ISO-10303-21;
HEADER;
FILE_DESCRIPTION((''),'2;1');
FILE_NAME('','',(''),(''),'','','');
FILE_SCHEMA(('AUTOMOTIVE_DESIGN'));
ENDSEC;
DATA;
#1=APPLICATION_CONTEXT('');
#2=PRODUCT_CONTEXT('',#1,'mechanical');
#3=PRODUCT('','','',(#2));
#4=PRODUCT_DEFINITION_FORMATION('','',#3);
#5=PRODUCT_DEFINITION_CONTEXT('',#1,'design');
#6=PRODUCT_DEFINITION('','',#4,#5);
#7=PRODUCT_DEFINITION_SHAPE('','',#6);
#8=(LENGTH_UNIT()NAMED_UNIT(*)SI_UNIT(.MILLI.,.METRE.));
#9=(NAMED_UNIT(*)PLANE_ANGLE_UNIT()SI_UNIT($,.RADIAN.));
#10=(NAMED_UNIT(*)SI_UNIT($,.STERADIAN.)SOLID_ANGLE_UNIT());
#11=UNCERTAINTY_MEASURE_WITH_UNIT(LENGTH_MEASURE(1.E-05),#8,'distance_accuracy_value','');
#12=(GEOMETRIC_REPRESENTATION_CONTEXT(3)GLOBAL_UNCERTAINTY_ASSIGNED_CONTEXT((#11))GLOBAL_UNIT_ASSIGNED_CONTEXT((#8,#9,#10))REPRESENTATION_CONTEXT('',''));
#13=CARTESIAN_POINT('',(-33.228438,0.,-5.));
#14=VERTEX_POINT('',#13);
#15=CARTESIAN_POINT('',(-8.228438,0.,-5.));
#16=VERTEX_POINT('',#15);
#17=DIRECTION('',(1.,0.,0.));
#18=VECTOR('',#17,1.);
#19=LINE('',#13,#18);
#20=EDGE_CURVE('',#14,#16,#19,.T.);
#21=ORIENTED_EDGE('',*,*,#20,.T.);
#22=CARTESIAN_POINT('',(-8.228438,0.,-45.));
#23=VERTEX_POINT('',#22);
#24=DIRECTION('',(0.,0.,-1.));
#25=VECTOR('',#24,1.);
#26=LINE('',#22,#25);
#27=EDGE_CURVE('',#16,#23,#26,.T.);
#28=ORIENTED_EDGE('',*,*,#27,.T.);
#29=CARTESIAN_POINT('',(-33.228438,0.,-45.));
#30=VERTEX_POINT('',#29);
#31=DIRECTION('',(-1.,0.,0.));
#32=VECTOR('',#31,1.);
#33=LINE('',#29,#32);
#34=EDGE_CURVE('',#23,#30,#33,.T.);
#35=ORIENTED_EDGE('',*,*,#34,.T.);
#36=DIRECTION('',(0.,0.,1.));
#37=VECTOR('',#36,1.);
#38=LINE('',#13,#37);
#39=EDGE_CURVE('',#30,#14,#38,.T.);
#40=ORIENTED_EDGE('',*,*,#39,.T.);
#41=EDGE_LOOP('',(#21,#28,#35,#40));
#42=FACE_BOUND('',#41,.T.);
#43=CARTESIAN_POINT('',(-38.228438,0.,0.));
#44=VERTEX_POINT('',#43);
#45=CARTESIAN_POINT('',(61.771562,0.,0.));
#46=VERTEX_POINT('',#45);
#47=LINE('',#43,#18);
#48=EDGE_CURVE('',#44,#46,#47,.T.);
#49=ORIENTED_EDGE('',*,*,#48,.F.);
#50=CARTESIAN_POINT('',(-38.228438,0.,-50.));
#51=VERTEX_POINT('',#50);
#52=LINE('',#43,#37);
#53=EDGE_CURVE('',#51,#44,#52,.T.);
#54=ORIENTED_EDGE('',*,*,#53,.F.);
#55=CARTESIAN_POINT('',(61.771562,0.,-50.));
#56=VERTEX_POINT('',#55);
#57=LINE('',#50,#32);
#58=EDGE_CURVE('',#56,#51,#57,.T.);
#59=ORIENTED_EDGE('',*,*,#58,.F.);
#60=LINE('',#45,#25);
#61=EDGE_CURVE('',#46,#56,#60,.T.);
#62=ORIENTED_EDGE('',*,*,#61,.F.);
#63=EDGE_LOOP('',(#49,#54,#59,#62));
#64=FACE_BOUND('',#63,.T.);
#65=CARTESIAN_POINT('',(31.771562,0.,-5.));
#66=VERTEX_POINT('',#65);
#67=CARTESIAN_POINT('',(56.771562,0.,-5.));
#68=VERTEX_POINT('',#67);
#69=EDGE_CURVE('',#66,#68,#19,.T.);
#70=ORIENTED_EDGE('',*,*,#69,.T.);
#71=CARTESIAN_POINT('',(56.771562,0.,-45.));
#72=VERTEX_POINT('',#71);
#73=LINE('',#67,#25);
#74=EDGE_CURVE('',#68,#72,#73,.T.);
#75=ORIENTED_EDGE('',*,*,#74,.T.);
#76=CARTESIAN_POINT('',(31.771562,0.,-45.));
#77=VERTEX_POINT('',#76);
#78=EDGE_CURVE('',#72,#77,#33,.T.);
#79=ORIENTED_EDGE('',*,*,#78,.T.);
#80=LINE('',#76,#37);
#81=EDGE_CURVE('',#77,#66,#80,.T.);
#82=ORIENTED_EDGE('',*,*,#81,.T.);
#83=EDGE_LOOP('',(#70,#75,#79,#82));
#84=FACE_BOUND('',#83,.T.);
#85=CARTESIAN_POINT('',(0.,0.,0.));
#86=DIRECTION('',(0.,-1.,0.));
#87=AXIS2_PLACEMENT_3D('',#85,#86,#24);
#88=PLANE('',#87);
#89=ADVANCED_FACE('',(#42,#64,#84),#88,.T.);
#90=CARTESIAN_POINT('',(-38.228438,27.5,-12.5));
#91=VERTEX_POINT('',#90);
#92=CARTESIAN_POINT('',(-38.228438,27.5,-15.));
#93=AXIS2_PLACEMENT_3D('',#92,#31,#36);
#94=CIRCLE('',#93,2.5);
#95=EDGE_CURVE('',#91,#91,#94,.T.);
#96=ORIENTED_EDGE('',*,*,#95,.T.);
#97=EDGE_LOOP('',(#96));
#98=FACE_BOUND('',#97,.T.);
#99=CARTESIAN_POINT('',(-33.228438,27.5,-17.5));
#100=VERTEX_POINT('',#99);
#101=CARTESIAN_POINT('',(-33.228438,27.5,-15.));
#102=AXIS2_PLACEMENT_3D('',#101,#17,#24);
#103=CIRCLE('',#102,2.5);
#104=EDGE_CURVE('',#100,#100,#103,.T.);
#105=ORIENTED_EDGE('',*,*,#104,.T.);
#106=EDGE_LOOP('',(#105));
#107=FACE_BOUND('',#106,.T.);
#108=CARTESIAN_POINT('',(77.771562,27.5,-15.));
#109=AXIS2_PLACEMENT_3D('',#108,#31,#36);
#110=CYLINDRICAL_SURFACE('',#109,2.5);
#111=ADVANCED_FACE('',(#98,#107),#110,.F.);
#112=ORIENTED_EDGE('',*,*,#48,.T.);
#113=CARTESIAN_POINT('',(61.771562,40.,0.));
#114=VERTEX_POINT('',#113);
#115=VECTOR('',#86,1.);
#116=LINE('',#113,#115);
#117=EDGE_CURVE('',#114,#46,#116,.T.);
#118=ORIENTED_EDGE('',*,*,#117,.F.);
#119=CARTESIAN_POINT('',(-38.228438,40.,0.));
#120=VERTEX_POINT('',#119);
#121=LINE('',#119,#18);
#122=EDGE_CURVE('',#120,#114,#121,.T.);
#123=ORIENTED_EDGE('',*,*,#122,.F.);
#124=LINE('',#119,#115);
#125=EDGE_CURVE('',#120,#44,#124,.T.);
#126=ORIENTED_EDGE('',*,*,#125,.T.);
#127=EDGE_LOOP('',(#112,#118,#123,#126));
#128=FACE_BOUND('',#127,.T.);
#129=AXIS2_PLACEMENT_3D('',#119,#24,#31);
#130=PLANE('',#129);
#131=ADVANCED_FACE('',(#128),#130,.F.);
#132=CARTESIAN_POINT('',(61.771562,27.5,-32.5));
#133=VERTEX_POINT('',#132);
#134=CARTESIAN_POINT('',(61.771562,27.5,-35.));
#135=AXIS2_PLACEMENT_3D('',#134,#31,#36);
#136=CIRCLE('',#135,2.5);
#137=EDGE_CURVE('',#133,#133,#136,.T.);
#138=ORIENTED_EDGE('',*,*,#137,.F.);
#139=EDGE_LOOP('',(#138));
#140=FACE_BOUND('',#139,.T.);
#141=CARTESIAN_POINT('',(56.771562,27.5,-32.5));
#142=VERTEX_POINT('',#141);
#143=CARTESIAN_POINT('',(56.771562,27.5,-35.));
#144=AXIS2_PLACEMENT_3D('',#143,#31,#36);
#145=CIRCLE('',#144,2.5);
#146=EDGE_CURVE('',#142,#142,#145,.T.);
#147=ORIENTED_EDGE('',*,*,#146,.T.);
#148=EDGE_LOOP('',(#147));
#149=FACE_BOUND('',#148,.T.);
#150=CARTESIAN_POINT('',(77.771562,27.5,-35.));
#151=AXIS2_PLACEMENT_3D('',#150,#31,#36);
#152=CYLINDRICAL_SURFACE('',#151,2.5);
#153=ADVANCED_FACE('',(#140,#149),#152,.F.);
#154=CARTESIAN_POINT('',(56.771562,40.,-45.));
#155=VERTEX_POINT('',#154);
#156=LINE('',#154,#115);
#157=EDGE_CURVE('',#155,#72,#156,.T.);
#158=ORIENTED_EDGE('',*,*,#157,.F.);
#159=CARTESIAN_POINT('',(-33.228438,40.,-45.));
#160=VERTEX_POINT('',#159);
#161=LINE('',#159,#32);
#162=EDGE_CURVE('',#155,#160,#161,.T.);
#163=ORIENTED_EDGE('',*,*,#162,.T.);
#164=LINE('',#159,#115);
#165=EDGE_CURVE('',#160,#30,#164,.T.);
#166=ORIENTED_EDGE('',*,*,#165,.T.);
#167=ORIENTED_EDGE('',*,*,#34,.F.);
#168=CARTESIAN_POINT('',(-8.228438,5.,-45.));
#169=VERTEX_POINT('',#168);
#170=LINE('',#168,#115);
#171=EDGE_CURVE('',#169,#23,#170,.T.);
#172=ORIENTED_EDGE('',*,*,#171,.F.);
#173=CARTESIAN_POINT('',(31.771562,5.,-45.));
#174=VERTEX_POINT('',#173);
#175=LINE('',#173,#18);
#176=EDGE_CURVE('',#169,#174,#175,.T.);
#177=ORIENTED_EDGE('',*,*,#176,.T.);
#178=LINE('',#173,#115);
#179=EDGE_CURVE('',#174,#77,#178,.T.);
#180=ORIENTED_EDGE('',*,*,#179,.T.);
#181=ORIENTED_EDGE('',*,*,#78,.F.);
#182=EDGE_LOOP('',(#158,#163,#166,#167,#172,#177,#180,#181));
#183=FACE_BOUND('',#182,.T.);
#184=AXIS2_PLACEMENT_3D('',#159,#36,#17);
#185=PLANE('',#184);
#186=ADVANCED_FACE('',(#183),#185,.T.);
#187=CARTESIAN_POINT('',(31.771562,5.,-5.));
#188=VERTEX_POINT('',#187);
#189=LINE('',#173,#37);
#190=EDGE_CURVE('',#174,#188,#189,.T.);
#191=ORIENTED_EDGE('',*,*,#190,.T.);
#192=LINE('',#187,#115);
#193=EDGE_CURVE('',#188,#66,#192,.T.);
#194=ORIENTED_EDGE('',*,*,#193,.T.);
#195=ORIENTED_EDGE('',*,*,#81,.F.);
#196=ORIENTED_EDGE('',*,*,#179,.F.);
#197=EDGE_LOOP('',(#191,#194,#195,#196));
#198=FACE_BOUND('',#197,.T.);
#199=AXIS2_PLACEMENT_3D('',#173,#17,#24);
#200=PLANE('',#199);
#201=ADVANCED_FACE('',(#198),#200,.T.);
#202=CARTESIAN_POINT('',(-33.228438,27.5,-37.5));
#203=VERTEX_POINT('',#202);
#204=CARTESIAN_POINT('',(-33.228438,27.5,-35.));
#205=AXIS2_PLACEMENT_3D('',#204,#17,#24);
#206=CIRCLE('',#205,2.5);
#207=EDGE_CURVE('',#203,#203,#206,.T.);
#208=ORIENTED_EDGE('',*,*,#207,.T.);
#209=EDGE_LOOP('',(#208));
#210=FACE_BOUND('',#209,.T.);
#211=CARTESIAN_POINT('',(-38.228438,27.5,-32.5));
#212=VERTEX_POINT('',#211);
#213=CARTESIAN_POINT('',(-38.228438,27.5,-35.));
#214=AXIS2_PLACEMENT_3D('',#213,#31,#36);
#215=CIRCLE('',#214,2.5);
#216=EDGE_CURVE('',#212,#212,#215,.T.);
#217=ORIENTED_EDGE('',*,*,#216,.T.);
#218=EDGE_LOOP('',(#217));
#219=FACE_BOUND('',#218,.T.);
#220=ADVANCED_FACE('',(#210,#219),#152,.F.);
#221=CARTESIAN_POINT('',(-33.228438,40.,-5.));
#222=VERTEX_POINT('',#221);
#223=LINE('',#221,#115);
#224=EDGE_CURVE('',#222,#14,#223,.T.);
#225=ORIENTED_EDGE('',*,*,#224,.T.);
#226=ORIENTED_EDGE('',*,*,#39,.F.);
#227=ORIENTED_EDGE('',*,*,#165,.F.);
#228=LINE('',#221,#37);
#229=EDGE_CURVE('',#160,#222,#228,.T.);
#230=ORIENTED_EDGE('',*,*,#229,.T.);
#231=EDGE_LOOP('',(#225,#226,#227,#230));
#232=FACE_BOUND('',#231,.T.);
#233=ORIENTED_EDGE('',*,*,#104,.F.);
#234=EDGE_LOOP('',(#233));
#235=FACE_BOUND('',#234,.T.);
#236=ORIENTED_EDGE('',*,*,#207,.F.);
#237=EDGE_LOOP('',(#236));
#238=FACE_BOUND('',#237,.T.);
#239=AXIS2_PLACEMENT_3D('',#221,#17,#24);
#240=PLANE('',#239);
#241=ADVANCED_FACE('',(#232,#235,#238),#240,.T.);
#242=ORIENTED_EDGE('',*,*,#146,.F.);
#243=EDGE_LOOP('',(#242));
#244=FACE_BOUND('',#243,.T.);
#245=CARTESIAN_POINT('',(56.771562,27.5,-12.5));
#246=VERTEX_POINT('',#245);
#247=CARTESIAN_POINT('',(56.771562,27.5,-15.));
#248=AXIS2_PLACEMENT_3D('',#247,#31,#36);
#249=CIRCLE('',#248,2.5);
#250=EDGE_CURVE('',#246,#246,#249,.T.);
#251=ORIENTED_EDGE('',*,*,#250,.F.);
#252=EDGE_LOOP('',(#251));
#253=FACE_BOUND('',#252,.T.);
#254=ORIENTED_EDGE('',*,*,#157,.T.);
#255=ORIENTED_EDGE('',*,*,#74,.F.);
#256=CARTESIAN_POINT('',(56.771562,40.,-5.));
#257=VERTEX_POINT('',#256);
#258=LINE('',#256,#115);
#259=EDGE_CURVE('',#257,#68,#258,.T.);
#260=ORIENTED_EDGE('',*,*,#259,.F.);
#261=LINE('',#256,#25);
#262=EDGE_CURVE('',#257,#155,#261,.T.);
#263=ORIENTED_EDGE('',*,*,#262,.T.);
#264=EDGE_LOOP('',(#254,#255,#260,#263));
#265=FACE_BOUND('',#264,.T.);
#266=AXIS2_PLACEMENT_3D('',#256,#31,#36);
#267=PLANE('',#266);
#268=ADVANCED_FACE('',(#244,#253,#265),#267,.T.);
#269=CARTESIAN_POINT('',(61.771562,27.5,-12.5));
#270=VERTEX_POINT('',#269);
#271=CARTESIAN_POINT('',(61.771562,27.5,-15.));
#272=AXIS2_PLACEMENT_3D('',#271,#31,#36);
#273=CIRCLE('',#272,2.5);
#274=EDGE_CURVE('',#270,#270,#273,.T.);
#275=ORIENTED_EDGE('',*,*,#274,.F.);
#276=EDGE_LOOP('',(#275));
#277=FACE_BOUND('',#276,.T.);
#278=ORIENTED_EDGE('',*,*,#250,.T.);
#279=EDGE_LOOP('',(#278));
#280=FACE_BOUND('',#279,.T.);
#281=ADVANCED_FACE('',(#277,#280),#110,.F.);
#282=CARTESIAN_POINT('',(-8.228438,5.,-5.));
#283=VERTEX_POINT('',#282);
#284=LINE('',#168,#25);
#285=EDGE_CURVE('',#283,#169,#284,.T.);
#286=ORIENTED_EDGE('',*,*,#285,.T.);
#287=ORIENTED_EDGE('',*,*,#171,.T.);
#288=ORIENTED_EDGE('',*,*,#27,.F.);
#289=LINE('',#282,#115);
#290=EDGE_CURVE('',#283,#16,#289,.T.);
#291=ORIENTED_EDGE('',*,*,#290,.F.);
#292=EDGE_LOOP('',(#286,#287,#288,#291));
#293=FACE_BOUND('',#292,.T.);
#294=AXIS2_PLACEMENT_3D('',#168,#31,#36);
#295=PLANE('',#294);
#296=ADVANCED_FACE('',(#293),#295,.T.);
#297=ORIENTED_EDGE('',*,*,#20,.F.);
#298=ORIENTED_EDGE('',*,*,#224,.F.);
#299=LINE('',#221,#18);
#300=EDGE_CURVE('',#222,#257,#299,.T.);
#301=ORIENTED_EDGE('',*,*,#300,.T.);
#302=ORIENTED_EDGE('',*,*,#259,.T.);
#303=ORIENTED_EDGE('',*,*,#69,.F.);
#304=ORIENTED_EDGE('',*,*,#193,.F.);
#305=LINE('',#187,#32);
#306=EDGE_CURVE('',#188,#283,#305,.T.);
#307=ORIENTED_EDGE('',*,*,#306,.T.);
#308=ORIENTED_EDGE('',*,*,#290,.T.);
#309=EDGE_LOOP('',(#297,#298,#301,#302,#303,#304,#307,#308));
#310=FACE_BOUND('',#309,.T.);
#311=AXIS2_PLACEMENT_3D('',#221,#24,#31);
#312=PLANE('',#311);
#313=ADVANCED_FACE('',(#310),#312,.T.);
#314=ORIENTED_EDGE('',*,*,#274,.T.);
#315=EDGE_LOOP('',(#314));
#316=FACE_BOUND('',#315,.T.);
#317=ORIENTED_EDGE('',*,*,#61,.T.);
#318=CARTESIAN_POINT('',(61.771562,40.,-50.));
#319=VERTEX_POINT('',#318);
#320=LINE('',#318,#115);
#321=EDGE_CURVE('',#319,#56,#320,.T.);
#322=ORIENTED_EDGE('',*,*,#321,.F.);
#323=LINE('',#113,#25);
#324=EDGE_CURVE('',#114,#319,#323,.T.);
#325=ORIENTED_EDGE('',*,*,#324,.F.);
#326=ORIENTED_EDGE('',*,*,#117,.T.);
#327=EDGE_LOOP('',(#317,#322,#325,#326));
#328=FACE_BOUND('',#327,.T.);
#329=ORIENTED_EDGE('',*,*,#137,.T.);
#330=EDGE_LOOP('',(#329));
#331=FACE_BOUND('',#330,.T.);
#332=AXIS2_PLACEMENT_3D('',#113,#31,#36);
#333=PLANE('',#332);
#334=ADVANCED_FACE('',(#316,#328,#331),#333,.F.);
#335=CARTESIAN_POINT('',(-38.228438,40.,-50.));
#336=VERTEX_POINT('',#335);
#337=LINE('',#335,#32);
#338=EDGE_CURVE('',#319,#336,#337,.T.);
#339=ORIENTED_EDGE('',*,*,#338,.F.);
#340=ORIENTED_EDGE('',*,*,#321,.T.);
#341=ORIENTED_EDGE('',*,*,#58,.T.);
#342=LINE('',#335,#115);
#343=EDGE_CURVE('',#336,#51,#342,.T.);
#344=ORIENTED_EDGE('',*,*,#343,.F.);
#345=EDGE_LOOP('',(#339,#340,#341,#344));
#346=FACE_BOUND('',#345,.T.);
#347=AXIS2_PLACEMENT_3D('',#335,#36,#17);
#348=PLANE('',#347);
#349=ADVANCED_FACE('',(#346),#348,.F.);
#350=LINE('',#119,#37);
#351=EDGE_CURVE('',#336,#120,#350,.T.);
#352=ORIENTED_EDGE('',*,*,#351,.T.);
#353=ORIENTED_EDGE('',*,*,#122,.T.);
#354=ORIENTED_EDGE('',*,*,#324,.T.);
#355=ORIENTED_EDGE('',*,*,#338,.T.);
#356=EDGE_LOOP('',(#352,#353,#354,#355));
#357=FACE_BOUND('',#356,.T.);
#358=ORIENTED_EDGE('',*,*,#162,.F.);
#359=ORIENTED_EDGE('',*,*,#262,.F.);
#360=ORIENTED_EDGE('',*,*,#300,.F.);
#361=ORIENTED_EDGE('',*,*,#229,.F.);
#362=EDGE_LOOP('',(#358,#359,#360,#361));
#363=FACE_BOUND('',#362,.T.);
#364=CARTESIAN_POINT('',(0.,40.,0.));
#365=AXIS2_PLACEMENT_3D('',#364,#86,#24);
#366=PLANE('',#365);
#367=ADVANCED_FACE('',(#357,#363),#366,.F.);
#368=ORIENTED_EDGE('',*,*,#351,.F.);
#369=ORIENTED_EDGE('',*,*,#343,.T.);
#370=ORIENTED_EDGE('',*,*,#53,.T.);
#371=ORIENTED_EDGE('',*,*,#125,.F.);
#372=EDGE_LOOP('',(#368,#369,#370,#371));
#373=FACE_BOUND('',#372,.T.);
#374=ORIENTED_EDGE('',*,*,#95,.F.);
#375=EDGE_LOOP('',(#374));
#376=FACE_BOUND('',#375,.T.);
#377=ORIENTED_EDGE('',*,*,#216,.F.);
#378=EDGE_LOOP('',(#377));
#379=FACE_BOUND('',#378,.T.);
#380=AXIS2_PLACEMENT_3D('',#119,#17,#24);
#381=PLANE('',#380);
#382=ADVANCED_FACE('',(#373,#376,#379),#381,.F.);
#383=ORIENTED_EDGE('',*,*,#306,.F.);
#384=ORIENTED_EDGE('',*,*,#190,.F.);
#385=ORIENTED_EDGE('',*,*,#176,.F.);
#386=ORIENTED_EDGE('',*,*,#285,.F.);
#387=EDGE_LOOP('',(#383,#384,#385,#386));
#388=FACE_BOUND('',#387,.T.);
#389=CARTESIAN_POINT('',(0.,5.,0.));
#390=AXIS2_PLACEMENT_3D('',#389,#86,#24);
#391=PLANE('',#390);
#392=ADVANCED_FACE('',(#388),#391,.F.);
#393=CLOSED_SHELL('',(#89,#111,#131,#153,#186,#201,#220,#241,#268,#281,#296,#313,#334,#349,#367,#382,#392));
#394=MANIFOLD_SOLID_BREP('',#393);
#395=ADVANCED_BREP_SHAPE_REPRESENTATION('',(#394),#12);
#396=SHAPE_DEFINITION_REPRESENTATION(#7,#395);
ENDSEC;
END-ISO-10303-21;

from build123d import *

# Parameters (mm, degrees)
SKETCH1_W           = 100
SKETCH1_H           = 50
SKETCH1_W_2         = 90
SKETCH1_H_2         = 40
BOSS_EXTRUDE1_DEPTH = 40
SKETCH3_W           = 40
SKETCH3_H           = 40
BOSS_EXTRUDE2_DEPTH = 5
SKETCH4_R           = 2.5
CUT_EXTRUDE1_DEPTH  = 116


with BuildPart() as part:
    # Sketch1 → Boss-Extrude1 (new body)
    with BuildSketch(Plane(origin=(0, 0, 0), x_dir=(1, 0, 0), z_dir=(0, 1, 0))):
        with Locations((11.771561772, 25)):
            Rectangle(SKETCH1_W, SKETCH1_H)
        with Locations((11.771561772, 25)):
            Rectangle(SKETCH1_W_2, SKETCH1_H_2, mode=Mode.SUBTRACT)
    extrude(amount=BOSS_EXTRUDE1_DEPTH)

    # Sketch3 → Boss-Extrude2 (add)
    with BuildSketch(Plane(origin=(0, 0, 0), x_dir=(-1, 0, 0), z_dir=(0, -1, 0))):
        with Locations((-11.771561772, 25)):
            Rectangle(SKETCH3_W, SKETCH3_H)
    extrude(amount=-BOSS_EXTRUDE2_DEPTH)

    # Sketch4 → Cut-Extrude1 (cut)
    with BuildSketch(Plane.ZY.offset(38.228438228)):
        with Locations((-35, 27.5)):
            Circle(SKETCH4_R)
        with Locations((-15, 27.5)):
            Circle(SKETCH4_R)
    extrude(amount=-CUT_EXTRUDE1_DEPTH, mode=Mode.SUBTRACT)


solid = part.part
